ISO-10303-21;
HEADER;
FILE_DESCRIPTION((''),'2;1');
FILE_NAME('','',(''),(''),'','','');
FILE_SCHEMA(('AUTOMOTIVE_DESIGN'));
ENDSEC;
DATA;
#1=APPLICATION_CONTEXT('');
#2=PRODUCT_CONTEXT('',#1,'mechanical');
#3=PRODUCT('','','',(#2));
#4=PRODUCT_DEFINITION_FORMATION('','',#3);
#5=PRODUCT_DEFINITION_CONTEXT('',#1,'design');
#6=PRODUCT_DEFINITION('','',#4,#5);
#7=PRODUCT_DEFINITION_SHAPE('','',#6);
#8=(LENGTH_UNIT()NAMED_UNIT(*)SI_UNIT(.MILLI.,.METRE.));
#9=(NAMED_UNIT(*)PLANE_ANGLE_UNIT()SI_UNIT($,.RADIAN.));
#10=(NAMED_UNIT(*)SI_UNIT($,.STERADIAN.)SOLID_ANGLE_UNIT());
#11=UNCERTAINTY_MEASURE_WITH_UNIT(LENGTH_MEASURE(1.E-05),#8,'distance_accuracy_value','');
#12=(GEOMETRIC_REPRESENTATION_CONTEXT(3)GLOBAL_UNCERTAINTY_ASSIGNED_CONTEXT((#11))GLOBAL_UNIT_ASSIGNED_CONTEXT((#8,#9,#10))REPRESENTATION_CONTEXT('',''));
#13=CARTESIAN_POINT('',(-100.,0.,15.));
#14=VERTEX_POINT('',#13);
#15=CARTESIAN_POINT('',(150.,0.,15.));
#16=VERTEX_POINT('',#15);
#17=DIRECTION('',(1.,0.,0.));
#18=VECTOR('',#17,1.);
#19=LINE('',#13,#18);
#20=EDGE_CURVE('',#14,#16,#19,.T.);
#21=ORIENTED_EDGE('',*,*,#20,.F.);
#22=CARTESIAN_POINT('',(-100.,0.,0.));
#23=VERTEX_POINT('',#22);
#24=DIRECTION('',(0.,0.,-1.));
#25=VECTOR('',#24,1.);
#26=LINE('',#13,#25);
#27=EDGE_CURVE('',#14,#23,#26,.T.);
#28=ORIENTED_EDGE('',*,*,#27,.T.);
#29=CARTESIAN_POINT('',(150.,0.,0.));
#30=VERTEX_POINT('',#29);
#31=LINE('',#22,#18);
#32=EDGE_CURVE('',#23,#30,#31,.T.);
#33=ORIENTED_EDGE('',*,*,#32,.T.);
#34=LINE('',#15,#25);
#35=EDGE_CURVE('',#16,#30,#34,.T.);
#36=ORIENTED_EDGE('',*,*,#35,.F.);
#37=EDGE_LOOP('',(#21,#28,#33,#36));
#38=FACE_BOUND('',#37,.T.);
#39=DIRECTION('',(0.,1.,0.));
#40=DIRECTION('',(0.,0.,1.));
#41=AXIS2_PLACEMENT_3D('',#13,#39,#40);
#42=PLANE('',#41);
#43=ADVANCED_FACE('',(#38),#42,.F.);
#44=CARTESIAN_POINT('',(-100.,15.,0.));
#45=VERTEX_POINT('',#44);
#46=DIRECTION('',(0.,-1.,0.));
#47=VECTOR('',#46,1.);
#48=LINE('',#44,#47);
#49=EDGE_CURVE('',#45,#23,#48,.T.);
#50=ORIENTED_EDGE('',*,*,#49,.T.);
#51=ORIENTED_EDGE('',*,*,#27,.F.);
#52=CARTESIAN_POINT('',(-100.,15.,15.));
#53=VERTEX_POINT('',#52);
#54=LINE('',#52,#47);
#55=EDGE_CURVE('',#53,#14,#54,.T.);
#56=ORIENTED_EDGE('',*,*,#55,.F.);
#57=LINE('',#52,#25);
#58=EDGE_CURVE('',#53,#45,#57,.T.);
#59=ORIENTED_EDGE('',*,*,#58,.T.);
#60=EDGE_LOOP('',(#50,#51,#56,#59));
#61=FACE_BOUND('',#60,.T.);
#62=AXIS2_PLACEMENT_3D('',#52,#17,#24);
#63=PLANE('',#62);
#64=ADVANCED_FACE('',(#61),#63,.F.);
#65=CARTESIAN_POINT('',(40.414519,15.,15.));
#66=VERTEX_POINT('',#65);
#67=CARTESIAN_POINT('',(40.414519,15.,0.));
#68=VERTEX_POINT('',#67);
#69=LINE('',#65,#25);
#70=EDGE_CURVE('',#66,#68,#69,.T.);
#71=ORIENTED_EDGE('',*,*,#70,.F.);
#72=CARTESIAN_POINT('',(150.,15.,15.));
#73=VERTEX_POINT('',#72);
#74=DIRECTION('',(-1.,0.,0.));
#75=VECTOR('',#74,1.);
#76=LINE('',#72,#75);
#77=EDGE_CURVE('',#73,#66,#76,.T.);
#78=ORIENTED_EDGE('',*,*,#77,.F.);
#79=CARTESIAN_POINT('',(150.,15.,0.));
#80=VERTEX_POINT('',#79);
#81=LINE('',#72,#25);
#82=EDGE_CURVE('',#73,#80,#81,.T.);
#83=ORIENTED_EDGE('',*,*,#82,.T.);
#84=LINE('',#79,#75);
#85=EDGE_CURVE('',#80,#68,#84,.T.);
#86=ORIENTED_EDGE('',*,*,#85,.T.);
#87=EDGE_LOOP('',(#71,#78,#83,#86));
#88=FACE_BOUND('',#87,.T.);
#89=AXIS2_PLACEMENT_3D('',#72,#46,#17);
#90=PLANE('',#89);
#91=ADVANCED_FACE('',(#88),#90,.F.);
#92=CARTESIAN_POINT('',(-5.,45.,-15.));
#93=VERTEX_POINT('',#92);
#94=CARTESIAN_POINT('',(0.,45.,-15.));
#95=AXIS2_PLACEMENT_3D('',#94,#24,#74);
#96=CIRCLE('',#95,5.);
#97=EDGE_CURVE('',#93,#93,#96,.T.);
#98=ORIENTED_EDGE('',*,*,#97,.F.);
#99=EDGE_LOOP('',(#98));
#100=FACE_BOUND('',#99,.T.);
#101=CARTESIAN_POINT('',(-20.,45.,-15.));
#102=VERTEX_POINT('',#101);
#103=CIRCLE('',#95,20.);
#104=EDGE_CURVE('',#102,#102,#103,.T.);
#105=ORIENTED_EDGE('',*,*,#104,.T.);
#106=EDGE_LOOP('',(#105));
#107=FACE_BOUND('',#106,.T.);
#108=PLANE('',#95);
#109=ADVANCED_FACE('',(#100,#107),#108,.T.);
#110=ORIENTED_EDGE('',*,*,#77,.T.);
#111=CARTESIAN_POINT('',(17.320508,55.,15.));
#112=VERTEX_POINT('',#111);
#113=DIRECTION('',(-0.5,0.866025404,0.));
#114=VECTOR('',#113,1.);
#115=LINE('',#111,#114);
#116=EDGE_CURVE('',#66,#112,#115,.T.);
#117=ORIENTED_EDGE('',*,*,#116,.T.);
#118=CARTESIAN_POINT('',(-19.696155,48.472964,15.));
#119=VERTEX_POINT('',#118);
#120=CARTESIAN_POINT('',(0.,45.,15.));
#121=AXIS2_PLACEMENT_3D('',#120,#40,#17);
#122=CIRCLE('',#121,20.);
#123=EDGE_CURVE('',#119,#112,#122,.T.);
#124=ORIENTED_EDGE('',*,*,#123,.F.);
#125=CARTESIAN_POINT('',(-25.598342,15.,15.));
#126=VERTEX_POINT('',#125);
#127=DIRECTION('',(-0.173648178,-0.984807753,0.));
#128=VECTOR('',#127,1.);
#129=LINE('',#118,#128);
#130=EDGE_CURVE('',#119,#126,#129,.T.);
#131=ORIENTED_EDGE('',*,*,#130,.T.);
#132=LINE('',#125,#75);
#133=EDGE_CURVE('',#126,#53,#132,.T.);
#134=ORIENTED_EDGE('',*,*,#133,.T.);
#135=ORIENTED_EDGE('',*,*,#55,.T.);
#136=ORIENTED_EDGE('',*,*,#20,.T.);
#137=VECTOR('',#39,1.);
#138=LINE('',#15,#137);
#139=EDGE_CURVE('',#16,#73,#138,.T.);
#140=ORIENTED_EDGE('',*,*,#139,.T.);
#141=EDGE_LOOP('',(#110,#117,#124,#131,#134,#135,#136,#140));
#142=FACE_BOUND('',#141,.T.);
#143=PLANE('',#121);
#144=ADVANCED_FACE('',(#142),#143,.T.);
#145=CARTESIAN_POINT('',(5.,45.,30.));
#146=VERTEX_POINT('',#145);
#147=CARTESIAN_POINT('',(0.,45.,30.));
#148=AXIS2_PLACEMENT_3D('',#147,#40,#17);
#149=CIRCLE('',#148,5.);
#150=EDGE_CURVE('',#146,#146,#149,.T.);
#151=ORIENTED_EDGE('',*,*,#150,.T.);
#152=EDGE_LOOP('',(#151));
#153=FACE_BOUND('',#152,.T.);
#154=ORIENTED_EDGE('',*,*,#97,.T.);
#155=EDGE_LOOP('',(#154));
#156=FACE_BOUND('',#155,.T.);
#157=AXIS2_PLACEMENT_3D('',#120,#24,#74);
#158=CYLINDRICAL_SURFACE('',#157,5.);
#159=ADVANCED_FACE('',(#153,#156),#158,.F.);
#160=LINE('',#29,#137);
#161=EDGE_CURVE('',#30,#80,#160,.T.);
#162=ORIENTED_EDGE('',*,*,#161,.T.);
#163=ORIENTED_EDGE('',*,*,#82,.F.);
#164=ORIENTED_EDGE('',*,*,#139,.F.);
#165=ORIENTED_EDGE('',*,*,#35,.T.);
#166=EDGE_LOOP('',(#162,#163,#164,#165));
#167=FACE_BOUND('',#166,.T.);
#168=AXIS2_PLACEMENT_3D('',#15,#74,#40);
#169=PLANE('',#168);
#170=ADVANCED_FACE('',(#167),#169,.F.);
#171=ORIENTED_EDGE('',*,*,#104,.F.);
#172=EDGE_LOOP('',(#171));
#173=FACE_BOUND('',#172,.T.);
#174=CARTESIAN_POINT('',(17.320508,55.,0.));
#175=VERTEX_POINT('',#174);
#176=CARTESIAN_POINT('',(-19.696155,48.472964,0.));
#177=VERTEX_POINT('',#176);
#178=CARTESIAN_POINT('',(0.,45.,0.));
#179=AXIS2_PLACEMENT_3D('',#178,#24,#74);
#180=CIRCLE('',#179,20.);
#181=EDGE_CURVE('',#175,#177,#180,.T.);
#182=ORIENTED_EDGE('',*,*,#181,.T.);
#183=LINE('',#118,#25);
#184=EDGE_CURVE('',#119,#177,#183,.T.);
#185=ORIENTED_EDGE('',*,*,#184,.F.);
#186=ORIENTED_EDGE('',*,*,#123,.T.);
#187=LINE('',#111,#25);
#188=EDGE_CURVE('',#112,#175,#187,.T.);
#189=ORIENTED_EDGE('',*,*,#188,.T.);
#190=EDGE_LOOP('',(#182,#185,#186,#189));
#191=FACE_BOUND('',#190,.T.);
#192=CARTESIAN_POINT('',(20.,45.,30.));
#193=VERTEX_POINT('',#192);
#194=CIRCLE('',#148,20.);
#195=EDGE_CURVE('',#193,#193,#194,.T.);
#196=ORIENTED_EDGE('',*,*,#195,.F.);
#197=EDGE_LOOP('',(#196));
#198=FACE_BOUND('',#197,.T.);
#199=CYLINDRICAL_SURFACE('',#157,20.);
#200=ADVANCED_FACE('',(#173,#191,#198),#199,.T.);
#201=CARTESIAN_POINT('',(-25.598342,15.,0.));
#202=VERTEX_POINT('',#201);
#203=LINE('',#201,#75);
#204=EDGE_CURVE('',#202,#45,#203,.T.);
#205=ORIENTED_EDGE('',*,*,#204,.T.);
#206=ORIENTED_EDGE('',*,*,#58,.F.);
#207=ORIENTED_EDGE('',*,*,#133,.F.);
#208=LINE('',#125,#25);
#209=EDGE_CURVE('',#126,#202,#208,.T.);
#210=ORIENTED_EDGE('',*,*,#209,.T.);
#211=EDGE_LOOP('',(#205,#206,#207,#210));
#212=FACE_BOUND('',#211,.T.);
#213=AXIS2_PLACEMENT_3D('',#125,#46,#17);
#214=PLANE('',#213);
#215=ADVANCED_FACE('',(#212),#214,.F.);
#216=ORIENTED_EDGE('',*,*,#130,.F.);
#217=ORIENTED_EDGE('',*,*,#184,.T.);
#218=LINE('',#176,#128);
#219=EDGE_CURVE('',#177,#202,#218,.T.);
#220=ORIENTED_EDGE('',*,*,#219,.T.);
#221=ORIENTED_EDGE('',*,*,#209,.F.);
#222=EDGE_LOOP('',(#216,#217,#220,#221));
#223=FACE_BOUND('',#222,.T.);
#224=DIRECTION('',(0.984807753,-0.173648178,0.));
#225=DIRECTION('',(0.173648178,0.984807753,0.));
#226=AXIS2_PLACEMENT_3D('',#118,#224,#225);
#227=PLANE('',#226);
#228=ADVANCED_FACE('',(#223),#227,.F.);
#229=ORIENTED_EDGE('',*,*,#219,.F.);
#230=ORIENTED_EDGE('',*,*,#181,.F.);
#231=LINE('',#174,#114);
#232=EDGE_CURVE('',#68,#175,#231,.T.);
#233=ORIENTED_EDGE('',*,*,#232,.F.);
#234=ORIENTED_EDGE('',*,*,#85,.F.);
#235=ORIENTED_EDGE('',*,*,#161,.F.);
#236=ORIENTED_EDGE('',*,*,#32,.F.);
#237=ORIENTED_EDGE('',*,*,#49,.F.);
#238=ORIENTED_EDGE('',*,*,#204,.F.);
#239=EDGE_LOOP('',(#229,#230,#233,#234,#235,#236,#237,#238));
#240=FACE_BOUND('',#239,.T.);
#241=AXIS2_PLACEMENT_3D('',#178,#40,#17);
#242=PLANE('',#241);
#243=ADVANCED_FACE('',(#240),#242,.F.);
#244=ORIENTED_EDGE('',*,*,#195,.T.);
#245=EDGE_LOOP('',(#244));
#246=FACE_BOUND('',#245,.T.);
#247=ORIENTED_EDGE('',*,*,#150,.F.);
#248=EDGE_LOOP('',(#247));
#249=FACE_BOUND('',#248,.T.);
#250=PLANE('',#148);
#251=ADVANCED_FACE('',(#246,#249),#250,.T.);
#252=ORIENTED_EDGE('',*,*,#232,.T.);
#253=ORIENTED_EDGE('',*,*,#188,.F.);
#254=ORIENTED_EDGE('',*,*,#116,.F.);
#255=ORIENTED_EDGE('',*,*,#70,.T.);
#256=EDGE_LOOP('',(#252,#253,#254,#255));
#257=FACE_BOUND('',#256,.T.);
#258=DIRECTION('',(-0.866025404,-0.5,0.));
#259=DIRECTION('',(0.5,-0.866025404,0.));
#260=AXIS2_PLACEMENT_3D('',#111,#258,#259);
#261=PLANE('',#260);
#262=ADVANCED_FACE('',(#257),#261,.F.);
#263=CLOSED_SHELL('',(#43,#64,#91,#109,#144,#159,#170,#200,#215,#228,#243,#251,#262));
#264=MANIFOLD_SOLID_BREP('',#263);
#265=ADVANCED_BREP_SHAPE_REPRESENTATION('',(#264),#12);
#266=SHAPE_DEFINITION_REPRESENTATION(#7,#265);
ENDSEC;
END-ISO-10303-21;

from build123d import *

# Parameters (mm, degrees)
SKETCH_1_R      = 5
EXTRUDE_1_DEPTH = 15
SKETCH_2_R      = 20
SKETCH_2_R_2    = 5
EXTRUDE_2_DEPTH = 15
EXTRUDE_START   = 15
SKETCH_3_R      = 20
SKETCH_3_R_2    = 5
EXTRUDE_3_DEPTH = 15


with BuildPart() as part:
    # 草图1 → 凸台-拉伸1 (new body)
    with BuildSketch(Plane.XY):
        with BuildLine():
            Line((-100, 0), (150, 0))
            Line((150, 0), (150, 15))
            Line((150, 15), (40.414518843, 15))
            Line((40.414518843, 15), (17.320508076, 55))
            ThreePointArc((17.320508076, 55), (-3.472963553, 64.69615506), (-19.69615506, 48.472963553))
            Line((-19.69615506, 48.472963553), (-25.598341659, 15))
            Line((-25.598341659, 15), (-100, 15))
            Line((-100, 15), (-100, 0))
        make_face()
        with Locations((0, 45)):
            Circle(SKETCH_1_R, mode=Mode.SUBTRACT)
    extrude(amount=EXTRUDE_1_DEPTH)

    # 草图2 → 凸台-拉伸2 (add)
    with BuildSketch(Plane.XY.offset(15)):
        with Locations(Location((0, 45, 0), (0, 0, 170))):
            Circle(SKETCH_2_R)
        with Locations((0, 45)):
            Circle(SKETCH_2_R_2, mode=Mode.SUBTRACT)
    extrude(amount=EXTRUDE_2_DEPTH)

    # 草图3 → 凸台-拉伸3 (add)
    with BuildSketch(Plane(origin=(0, 0, 0), x_dir=(-1, 0, 0), z_dir=(0, 0, -1)).offset(EXTRUDE_START)):
        with Locations((0, 45)):
            Circle(SKETCH_3_R)
        with Locations((0, 45)):
            Circle(SKETCH_3_R_2, mode=Mode.SUBTRACT)
    extrude(amount=-EXTRUDE_3_DEPTH)


solid = part.part
